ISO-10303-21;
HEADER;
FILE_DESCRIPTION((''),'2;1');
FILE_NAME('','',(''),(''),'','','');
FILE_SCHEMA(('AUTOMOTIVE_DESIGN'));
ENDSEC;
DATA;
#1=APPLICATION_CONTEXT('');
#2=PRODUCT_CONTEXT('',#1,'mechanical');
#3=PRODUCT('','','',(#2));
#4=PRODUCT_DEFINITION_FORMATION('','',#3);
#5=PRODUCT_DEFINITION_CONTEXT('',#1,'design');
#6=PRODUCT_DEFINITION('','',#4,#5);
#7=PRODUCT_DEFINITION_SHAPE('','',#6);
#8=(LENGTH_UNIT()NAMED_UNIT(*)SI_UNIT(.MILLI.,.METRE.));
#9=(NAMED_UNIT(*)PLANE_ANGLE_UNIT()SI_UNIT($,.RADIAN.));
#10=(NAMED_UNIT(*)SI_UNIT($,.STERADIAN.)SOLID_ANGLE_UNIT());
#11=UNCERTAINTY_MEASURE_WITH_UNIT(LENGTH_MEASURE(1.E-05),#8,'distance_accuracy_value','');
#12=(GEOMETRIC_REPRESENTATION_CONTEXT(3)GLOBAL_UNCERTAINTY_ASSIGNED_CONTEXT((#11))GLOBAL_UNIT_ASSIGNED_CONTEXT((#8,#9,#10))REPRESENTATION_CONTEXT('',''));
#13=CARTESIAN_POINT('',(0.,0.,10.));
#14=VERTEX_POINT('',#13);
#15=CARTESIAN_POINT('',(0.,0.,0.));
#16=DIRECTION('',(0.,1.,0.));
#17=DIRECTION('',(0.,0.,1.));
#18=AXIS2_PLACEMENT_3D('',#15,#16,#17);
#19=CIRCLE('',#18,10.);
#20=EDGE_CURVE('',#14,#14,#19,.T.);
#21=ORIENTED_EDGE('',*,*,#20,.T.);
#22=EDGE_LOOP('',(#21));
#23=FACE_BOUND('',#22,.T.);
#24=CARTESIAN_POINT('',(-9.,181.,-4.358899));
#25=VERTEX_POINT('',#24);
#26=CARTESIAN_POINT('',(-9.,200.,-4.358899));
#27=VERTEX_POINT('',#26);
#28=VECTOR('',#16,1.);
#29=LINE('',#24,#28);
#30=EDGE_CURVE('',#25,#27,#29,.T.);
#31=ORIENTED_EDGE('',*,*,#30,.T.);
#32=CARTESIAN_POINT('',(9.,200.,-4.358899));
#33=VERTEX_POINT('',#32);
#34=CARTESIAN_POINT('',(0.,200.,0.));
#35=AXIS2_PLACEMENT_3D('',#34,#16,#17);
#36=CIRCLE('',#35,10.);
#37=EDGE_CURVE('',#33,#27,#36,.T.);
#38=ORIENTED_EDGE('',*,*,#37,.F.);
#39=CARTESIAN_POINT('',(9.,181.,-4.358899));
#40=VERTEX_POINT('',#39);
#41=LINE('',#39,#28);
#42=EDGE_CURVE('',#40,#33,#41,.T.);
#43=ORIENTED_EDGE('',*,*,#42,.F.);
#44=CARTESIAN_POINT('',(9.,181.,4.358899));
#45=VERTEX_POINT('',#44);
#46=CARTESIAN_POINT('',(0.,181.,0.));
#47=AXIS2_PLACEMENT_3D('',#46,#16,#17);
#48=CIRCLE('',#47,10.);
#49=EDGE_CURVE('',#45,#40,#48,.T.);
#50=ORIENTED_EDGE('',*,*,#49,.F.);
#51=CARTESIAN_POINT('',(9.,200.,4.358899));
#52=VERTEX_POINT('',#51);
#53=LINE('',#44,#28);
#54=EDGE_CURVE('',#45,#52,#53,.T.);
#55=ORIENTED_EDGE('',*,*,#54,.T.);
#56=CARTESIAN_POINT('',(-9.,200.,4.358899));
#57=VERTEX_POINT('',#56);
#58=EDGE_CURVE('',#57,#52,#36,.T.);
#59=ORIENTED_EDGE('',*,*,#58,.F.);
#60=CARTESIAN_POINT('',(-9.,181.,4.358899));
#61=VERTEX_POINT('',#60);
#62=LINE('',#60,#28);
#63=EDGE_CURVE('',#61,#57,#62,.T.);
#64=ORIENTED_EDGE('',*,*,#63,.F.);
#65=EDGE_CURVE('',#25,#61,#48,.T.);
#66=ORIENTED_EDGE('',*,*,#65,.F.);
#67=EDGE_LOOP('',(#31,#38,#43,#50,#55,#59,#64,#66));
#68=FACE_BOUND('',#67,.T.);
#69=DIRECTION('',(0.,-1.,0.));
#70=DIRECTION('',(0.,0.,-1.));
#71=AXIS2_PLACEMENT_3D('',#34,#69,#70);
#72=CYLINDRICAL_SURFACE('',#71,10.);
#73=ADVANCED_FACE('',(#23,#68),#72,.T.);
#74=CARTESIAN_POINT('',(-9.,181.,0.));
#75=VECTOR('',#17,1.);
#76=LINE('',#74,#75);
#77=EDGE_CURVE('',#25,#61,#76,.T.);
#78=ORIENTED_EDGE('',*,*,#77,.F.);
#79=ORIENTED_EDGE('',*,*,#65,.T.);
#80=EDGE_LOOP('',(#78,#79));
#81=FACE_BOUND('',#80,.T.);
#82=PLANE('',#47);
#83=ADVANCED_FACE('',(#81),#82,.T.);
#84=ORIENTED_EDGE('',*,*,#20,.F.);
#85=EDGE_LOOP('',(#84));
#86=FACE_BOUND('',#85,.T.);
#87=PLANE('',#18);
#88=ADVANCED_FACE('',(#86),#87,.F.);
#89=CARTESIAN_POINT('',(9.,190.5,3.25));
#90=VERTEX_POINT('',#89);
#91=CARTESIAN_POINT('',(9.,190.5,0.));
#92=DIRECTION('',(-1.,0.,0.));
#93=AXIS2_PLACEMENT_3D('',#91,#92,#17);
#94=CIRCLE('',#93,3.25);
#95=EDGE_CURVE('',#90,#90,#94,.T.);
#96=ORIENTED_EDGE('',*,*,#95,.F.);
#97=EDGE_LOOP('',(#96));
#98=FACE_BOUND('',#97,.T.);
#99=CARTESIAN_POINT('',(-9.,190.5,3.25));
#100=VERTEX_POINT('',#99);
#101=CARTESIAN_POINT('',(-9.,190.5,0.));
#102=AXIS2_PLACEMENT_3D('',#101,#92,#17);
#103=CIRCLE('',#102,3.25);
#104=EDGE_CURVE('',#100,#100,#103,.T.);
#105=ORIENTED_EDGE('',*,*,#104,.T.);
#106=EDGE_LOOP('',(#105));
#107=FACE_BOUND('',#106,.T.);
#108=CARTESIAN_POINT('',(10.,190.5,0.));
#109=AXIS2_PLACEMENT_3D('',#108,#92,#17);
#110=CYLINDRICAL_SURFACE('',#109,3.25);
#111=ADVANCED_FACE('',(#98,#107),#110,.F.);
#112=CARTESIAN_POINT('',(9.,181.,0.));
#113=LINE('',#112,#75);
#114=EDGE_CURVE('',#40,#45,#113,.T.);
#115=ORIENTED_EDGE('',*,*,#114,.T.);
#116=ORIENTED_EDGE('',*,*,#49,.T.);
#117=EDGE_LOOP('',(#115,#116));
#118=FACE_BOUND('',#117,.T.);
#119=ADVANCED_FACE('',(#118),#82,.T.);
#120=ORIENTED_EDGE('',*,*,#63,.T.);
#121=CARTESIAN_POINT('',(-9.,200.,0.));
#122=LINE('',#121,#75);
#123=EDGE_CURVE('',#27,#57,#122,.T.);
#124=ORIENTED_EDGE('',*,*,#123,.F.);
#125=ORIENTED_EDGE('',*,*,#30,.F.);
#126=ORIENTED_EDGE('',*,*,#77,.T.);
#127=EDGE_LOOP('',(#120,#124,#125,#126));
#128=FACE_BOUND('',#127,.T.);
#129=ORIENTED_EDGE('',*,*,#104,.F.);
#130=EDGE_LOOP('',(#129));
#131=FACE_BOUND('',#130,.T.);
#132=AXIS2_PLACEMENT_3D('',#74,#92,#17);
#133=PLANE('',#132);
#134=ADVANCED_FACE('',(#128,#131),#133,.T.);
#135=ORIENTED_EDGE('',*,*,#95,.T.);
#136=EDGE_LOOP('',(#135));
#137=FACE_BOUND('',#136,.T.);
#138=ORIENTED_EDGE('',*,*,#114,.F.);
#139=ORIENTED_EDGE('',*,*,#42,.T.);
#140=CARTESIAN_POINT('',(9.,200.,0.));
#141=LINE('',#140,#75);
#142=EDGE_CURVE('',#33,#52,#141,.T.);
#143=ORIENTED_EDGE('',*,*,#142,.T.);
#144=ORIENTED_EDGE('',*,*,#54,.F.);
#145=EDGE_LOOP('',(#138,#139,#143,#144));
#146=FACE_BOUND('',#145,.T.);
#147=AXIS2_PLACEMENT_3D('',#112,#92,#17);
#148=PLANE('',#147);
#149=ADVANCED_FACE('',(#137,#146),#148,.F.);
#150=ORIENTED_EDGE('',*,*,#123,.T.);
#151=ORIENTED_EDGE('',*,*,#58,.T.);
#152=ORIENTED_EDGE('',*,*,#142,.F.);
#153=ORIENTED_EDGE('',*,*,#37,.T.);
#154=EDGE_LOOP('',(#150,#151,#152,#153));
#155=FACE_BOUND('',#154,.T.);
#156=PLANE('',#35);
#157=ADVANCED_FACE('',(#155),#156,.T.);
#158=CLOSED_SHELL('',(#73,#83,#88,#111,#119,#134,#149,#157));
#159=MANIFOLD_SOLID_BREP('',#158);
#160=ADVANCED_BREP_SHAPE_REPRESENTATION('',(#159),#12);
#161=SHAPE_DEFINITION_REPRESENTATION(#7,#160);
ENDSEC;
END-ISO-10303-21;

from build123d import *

# Parameters (mm, degrees)
SKETCH_1_R          = 10
EXTRUDE_1_DEPTH     = 200
CUT_EXTRUDE_START   = -19
CUT_EXTRUDE_1_DEPTH = 19
SKETCH_3_R          = 3.25
CUT_EXTRUDE_4_DEPTH = 202.149198358


with BuildPart() as part:
    # 草图1 → 凸台-拉伸1 (new body)
    with BuildSketch(Plane(origin=(0, 0, 0), x_dir=(1, 0, 0), z_dir=(0, 1, 0))):
        with Locations(Location((0, 0, 0), (0, 0, 270))):
            Circle(SKETCH_1_R)
    extrude(amount=EXTRUDE_1_DEPTH)

    # 草图2 → 切除-拉伸1 (cut)
    with BuildSketch(Plane(origin=(0, 200, 0), x_dir=(1, 0, 0), z_dir=(0, 1, 0)).offset(CUT_EXTRUDE_START)):
        with BuildLine():
            Line((-9, -4.358898944), (-9, 4.358898944))
            ThreePointArc((-9, 4.358898944), (-10, 0), (-9, -4.358898944))
        make_face()
        with BuildLine():
            ThreePointArc((10, 0), (9.746794345, 2.236067977), (9, 4.358898944))
            Line((9, 4.358898944), (9, -4.358898944))
            ThreePointArc((9, -4.358898944), (9.746794345, -2.236067977), (10, 0))
        make_face()
    extrude(amount=CUT_EXTRUDE_1_DEPTH, mode=Mode.SUBTRACT)

    # 草图3 → 切除-拉伸4 (cut, through all)
    with BuildSketch(Plane.ZY.offset(9)):
        with Locations((0, 190.5)):
            Circle(SKETCH_3_R)
    extrude(amount=-CUT_EXTRUDE_4_DEPTH, mode=Mode.SUBTRACT)


solid = part.part
